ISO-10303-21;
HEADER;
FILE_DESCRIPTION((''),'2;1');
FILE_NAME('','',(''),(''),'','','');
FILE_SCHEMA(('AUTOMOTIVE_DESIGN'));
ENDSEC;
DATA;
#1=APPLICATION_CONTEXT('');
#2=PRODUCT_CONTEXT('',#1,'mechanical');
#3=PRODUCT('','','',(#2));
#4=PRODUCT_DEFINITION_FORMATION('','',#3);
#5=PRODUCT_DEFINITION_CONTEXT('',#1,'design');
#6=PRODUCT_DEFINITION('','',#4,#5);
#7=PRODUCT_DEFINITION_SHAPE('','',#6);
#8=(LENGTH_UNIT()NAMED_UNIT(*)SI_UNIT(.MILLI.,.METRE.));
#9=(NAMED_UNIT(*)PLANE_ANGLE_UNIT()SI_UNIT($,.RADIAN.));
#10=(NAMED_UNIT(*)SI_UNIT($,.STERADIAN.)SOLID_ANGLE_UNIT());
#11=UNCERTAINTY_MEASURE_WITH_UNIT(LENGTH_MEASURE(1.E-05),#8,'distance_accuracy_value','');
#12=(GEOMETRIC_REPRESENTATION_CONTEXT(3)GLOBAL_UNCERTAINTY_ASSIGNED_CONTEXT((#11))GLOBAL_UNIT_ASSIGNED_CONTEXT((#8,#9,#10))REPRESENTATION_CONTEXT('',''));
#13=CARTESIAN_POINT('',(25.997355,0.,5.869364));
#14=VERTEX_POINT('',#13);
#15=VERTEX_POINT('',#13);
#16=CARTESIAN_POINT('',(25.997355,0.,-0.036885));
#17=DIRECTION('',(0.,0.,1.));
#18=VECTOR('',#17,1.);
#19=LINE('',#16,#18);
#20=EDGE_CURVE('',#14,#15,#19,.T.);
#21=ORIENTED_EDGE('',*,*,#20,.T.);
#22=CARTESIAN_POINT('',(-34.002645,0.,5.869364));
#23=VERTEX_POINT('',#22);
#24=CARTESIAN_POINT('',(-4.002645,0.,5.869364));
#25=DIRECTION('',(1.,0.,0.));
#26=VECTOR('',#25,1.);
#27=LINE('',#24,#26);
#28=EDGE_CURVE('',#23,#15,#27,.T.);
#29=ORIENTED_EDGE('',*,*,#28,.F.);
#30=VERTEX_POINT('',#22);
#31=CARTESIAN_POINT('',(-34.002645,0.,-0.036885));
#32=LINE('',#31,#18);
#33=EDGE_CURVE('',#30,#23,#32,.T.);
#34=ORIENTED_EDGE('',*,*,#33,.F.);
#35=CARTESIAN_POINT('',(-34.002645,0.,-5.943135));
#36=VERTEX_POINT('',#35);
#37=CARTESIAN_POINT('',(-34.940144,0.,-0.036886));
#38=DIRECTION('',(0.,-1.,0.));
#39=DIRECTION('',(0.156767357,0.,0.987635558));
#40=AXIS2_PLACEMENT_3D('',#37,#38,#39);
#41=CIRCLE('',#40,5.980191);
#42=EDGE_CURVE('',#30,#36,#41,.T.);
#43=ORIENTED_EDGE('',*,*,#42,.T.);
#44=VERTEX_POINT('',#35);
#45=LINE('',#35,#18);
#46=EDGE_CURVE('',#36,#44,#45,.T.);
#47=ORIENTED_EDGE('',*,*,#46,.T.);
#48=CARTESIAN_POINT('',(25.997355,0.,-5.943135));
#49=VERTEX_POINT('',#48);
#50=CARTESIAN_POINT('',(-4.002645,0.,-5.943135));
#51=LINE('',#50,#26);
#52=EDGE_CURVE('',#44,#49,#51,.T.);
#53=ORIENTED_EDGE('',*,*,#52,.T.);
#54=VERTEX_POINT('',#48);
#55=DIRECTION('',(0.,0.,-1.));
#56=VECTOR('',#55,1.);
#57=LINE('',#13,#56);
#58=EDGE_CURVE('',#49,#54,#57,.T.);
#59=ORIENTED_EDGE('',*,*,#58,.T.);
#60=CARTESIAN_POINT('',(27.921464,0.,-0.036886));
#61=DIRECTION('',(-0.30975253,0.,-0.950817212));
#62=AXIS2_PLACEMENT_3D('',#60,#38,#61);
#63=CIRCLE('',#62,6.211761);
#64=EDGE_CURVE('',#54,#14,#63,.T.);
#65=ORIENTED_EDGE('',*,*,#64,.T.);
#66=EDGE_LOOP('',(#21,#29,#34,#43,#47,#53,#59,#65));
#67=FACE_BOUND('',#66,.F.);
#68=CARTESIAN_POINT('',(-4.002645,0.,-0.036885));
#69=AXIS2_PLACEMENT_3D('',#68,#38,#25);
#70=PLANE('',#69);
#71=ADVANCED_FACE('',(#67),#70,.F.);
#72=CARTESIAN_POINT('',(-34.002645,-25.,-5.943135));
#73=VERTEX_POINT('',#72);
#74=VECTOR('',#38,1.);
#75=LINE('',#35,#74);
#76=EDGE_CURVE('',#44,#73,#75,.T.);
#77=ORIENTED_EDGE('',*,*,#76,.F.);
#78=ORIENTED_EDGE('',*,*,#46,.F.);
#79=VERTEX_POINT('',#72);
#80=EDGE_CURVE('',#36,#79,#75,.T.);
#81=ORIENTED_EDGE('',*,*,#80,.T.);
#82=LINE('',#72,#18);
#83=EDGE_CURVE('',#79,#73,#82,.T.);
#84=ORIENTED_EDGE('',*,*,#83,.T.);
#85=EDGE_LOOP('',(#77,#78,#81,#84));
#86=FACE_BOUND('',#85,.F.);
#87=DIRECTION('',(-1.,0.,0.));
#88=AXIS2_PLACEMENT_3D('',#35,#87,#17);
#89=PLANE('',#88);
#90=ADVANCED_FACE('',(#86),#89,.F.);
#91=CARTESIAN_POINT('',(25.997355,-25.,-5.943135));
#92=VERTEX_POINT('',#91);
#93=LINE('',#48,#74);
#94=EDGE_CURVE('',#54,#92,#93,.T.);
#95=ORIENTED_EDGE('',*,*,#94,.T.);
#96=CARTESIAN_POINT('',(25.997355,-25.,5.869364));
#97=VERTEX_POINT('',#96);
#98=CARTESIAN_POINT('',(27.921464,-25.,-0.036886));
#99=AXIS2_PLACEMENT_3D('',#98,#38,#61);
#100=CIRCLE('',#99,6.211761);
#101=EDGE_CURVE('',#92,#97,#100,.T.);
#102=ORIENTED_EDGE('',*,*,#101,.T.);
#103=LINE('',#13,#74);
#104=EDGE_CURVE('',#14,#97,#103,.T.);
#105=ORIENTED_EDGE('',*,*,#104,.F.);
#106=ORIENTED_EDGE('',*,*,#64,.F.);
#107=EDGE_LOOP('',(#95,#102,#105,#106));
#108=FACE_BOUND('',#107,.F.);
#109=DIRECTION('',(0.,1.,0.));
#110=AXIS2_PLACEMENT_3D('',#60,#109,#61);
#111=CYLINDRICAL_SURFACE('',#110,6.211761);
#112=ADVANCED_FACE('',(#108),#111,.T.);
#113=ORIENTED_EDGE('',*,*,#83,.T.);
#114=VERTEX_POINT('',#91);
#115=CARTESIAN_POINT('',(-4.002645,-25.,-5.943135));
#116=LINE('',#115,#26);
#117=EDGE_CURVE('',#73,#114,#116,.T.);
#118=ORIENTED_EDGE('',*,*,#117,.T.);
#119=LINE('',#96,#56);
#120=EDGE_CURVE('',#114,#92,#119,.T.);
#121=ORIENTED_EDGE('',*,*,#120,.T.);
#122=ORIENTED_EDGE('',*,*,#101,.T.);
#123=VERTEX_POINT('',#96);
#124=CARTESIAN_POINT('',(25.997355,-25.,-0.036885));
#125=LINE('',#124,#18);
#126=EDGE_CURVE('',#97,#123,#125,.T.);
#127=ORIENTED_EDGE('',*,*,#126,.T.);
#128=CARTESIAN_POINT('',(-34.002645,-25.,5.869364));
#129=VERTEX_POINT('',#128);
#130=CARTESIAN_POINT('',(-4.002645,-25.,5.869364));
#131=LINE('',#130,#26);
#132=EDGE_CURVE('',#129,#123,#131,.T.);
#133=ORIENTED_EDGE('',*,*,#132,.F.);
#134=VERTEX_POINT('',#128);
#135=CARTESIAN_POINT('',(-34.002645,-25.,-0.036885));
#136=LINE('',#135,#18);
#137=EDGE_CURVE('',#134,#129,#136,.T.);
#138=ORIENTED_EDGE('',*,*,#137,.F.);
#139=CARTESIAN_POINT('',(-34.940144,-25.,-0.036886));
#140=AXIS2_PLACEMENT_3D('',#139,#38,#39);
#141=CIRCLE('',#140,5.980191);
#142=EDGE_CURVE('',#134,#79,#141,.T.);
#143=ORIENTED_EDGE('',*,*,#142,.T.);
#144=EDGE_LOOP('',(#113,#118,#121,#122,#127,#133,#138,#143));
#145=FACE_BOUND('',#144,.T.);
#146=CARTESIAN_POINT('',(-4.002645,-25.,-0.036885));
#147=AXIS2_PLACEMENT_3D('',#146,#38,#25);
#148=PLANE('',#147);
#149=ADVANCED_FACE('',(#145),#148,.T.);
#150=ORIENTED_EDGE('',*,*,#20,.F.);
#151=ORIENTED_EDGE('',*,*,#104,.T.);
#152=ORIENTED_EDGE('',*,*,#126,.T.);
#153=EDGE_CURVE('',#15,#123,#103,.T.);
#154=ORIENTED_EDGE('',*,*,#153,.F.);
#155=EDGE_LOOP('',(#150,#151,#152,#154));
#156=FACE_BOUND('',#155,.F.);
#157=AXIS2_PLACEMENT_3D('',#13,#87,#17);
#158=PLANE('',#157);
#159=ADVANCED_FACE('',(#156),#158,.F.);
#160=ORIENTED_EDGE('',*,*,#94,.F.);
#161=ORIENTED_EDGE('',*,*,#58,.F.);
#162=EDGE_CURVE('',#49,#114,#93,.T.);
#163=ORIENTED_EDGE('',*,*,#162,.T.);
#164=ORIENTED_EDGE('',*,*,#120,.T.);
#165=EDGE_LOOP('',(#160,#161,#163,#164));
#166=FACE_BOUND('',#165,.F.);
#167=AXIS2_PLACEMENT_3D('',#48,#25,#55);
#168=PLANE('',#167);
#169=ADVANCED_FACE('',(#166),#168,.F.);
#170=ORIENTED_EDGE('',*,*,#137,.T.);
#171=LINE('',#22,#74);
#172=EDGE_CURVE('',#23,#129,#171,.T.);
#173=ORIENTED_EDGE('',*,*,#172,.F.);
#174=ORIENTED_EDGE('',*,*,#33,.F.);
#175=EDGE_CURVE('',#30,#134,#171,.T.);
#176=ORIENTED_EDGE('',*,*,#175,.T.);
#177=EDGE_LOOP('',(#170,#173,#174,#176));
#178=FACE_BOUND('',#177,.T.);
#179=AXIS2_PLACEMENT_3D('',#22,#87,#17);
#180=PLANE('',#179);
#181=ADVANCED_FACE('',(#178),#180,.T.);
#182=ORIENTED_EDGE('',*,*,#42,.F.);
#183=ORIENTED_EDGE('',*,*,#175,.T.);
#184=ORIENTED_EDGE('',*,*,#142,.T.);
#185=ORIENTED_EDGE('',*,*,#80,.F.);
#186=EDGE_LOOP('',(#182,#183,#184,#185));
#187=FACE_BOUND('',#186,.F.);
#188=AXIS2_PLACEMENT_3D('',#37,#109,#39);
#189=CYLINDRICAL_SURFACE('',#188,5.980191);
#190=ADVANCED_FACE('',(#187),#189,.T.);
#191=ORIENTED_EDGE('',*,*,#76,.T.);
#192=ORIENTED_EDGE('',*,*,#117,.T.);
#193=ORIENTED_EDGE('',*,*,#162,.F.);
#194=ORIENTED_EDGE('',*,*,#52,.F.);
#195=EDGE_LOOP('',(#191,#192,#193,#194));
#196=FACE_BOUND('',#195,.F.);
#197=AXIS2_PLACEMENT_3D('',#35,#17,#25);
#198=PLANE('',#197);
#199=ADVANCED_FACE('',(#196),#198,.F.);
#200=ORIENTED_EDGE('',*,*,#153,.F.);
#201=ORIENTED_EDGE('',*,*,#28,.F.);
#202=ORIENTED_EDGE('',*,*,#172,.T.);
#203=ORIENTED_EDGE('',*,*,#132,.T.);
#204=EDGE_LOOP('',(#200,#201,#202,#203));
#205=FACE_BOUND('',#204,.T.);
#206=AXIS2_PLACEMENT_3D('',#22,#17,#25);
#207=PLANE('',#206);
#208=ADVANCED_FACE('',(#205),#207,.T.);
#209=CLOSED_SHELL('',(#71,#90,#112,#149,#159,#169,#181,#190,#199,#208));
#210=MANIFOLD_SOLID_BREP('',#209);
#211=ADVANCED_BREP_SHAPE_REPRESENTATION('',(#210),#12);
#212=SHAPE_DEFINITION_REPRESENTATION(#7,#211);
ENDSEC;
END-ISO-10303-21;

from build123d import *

# Parameters (mm, degrees)
F0_W     = 60
F0_H     = 11.812499
F1_DEPTH = 25


with BuildPart() as f1:
    # F0 (on Front) → F1 (new body)
    with BuildSketch(Plane.XZ):
        with Locations((-4.002645, -0.036885)):
            Rectangle(F0_W, F0_H)
        with BuildLine():
            Line((-34.002645, -5.943135), (-34.002645, 5.869364))
            ThreePointArc((-34.002645, 5.869364), (-40.920335, -0.036885), (-34.002645, -5.943135))
        make_face()
        with BuildLine():
            ThreePointArc((25.997355, -5.943135), (34.133225, -0.036885), (25.997355, 5.869364))
            Line((25.997355, 5.869364), (25.997355, -5.943135))
        make_face()
    extrude(amount=F1_DEPTH)


solid = f1.part
